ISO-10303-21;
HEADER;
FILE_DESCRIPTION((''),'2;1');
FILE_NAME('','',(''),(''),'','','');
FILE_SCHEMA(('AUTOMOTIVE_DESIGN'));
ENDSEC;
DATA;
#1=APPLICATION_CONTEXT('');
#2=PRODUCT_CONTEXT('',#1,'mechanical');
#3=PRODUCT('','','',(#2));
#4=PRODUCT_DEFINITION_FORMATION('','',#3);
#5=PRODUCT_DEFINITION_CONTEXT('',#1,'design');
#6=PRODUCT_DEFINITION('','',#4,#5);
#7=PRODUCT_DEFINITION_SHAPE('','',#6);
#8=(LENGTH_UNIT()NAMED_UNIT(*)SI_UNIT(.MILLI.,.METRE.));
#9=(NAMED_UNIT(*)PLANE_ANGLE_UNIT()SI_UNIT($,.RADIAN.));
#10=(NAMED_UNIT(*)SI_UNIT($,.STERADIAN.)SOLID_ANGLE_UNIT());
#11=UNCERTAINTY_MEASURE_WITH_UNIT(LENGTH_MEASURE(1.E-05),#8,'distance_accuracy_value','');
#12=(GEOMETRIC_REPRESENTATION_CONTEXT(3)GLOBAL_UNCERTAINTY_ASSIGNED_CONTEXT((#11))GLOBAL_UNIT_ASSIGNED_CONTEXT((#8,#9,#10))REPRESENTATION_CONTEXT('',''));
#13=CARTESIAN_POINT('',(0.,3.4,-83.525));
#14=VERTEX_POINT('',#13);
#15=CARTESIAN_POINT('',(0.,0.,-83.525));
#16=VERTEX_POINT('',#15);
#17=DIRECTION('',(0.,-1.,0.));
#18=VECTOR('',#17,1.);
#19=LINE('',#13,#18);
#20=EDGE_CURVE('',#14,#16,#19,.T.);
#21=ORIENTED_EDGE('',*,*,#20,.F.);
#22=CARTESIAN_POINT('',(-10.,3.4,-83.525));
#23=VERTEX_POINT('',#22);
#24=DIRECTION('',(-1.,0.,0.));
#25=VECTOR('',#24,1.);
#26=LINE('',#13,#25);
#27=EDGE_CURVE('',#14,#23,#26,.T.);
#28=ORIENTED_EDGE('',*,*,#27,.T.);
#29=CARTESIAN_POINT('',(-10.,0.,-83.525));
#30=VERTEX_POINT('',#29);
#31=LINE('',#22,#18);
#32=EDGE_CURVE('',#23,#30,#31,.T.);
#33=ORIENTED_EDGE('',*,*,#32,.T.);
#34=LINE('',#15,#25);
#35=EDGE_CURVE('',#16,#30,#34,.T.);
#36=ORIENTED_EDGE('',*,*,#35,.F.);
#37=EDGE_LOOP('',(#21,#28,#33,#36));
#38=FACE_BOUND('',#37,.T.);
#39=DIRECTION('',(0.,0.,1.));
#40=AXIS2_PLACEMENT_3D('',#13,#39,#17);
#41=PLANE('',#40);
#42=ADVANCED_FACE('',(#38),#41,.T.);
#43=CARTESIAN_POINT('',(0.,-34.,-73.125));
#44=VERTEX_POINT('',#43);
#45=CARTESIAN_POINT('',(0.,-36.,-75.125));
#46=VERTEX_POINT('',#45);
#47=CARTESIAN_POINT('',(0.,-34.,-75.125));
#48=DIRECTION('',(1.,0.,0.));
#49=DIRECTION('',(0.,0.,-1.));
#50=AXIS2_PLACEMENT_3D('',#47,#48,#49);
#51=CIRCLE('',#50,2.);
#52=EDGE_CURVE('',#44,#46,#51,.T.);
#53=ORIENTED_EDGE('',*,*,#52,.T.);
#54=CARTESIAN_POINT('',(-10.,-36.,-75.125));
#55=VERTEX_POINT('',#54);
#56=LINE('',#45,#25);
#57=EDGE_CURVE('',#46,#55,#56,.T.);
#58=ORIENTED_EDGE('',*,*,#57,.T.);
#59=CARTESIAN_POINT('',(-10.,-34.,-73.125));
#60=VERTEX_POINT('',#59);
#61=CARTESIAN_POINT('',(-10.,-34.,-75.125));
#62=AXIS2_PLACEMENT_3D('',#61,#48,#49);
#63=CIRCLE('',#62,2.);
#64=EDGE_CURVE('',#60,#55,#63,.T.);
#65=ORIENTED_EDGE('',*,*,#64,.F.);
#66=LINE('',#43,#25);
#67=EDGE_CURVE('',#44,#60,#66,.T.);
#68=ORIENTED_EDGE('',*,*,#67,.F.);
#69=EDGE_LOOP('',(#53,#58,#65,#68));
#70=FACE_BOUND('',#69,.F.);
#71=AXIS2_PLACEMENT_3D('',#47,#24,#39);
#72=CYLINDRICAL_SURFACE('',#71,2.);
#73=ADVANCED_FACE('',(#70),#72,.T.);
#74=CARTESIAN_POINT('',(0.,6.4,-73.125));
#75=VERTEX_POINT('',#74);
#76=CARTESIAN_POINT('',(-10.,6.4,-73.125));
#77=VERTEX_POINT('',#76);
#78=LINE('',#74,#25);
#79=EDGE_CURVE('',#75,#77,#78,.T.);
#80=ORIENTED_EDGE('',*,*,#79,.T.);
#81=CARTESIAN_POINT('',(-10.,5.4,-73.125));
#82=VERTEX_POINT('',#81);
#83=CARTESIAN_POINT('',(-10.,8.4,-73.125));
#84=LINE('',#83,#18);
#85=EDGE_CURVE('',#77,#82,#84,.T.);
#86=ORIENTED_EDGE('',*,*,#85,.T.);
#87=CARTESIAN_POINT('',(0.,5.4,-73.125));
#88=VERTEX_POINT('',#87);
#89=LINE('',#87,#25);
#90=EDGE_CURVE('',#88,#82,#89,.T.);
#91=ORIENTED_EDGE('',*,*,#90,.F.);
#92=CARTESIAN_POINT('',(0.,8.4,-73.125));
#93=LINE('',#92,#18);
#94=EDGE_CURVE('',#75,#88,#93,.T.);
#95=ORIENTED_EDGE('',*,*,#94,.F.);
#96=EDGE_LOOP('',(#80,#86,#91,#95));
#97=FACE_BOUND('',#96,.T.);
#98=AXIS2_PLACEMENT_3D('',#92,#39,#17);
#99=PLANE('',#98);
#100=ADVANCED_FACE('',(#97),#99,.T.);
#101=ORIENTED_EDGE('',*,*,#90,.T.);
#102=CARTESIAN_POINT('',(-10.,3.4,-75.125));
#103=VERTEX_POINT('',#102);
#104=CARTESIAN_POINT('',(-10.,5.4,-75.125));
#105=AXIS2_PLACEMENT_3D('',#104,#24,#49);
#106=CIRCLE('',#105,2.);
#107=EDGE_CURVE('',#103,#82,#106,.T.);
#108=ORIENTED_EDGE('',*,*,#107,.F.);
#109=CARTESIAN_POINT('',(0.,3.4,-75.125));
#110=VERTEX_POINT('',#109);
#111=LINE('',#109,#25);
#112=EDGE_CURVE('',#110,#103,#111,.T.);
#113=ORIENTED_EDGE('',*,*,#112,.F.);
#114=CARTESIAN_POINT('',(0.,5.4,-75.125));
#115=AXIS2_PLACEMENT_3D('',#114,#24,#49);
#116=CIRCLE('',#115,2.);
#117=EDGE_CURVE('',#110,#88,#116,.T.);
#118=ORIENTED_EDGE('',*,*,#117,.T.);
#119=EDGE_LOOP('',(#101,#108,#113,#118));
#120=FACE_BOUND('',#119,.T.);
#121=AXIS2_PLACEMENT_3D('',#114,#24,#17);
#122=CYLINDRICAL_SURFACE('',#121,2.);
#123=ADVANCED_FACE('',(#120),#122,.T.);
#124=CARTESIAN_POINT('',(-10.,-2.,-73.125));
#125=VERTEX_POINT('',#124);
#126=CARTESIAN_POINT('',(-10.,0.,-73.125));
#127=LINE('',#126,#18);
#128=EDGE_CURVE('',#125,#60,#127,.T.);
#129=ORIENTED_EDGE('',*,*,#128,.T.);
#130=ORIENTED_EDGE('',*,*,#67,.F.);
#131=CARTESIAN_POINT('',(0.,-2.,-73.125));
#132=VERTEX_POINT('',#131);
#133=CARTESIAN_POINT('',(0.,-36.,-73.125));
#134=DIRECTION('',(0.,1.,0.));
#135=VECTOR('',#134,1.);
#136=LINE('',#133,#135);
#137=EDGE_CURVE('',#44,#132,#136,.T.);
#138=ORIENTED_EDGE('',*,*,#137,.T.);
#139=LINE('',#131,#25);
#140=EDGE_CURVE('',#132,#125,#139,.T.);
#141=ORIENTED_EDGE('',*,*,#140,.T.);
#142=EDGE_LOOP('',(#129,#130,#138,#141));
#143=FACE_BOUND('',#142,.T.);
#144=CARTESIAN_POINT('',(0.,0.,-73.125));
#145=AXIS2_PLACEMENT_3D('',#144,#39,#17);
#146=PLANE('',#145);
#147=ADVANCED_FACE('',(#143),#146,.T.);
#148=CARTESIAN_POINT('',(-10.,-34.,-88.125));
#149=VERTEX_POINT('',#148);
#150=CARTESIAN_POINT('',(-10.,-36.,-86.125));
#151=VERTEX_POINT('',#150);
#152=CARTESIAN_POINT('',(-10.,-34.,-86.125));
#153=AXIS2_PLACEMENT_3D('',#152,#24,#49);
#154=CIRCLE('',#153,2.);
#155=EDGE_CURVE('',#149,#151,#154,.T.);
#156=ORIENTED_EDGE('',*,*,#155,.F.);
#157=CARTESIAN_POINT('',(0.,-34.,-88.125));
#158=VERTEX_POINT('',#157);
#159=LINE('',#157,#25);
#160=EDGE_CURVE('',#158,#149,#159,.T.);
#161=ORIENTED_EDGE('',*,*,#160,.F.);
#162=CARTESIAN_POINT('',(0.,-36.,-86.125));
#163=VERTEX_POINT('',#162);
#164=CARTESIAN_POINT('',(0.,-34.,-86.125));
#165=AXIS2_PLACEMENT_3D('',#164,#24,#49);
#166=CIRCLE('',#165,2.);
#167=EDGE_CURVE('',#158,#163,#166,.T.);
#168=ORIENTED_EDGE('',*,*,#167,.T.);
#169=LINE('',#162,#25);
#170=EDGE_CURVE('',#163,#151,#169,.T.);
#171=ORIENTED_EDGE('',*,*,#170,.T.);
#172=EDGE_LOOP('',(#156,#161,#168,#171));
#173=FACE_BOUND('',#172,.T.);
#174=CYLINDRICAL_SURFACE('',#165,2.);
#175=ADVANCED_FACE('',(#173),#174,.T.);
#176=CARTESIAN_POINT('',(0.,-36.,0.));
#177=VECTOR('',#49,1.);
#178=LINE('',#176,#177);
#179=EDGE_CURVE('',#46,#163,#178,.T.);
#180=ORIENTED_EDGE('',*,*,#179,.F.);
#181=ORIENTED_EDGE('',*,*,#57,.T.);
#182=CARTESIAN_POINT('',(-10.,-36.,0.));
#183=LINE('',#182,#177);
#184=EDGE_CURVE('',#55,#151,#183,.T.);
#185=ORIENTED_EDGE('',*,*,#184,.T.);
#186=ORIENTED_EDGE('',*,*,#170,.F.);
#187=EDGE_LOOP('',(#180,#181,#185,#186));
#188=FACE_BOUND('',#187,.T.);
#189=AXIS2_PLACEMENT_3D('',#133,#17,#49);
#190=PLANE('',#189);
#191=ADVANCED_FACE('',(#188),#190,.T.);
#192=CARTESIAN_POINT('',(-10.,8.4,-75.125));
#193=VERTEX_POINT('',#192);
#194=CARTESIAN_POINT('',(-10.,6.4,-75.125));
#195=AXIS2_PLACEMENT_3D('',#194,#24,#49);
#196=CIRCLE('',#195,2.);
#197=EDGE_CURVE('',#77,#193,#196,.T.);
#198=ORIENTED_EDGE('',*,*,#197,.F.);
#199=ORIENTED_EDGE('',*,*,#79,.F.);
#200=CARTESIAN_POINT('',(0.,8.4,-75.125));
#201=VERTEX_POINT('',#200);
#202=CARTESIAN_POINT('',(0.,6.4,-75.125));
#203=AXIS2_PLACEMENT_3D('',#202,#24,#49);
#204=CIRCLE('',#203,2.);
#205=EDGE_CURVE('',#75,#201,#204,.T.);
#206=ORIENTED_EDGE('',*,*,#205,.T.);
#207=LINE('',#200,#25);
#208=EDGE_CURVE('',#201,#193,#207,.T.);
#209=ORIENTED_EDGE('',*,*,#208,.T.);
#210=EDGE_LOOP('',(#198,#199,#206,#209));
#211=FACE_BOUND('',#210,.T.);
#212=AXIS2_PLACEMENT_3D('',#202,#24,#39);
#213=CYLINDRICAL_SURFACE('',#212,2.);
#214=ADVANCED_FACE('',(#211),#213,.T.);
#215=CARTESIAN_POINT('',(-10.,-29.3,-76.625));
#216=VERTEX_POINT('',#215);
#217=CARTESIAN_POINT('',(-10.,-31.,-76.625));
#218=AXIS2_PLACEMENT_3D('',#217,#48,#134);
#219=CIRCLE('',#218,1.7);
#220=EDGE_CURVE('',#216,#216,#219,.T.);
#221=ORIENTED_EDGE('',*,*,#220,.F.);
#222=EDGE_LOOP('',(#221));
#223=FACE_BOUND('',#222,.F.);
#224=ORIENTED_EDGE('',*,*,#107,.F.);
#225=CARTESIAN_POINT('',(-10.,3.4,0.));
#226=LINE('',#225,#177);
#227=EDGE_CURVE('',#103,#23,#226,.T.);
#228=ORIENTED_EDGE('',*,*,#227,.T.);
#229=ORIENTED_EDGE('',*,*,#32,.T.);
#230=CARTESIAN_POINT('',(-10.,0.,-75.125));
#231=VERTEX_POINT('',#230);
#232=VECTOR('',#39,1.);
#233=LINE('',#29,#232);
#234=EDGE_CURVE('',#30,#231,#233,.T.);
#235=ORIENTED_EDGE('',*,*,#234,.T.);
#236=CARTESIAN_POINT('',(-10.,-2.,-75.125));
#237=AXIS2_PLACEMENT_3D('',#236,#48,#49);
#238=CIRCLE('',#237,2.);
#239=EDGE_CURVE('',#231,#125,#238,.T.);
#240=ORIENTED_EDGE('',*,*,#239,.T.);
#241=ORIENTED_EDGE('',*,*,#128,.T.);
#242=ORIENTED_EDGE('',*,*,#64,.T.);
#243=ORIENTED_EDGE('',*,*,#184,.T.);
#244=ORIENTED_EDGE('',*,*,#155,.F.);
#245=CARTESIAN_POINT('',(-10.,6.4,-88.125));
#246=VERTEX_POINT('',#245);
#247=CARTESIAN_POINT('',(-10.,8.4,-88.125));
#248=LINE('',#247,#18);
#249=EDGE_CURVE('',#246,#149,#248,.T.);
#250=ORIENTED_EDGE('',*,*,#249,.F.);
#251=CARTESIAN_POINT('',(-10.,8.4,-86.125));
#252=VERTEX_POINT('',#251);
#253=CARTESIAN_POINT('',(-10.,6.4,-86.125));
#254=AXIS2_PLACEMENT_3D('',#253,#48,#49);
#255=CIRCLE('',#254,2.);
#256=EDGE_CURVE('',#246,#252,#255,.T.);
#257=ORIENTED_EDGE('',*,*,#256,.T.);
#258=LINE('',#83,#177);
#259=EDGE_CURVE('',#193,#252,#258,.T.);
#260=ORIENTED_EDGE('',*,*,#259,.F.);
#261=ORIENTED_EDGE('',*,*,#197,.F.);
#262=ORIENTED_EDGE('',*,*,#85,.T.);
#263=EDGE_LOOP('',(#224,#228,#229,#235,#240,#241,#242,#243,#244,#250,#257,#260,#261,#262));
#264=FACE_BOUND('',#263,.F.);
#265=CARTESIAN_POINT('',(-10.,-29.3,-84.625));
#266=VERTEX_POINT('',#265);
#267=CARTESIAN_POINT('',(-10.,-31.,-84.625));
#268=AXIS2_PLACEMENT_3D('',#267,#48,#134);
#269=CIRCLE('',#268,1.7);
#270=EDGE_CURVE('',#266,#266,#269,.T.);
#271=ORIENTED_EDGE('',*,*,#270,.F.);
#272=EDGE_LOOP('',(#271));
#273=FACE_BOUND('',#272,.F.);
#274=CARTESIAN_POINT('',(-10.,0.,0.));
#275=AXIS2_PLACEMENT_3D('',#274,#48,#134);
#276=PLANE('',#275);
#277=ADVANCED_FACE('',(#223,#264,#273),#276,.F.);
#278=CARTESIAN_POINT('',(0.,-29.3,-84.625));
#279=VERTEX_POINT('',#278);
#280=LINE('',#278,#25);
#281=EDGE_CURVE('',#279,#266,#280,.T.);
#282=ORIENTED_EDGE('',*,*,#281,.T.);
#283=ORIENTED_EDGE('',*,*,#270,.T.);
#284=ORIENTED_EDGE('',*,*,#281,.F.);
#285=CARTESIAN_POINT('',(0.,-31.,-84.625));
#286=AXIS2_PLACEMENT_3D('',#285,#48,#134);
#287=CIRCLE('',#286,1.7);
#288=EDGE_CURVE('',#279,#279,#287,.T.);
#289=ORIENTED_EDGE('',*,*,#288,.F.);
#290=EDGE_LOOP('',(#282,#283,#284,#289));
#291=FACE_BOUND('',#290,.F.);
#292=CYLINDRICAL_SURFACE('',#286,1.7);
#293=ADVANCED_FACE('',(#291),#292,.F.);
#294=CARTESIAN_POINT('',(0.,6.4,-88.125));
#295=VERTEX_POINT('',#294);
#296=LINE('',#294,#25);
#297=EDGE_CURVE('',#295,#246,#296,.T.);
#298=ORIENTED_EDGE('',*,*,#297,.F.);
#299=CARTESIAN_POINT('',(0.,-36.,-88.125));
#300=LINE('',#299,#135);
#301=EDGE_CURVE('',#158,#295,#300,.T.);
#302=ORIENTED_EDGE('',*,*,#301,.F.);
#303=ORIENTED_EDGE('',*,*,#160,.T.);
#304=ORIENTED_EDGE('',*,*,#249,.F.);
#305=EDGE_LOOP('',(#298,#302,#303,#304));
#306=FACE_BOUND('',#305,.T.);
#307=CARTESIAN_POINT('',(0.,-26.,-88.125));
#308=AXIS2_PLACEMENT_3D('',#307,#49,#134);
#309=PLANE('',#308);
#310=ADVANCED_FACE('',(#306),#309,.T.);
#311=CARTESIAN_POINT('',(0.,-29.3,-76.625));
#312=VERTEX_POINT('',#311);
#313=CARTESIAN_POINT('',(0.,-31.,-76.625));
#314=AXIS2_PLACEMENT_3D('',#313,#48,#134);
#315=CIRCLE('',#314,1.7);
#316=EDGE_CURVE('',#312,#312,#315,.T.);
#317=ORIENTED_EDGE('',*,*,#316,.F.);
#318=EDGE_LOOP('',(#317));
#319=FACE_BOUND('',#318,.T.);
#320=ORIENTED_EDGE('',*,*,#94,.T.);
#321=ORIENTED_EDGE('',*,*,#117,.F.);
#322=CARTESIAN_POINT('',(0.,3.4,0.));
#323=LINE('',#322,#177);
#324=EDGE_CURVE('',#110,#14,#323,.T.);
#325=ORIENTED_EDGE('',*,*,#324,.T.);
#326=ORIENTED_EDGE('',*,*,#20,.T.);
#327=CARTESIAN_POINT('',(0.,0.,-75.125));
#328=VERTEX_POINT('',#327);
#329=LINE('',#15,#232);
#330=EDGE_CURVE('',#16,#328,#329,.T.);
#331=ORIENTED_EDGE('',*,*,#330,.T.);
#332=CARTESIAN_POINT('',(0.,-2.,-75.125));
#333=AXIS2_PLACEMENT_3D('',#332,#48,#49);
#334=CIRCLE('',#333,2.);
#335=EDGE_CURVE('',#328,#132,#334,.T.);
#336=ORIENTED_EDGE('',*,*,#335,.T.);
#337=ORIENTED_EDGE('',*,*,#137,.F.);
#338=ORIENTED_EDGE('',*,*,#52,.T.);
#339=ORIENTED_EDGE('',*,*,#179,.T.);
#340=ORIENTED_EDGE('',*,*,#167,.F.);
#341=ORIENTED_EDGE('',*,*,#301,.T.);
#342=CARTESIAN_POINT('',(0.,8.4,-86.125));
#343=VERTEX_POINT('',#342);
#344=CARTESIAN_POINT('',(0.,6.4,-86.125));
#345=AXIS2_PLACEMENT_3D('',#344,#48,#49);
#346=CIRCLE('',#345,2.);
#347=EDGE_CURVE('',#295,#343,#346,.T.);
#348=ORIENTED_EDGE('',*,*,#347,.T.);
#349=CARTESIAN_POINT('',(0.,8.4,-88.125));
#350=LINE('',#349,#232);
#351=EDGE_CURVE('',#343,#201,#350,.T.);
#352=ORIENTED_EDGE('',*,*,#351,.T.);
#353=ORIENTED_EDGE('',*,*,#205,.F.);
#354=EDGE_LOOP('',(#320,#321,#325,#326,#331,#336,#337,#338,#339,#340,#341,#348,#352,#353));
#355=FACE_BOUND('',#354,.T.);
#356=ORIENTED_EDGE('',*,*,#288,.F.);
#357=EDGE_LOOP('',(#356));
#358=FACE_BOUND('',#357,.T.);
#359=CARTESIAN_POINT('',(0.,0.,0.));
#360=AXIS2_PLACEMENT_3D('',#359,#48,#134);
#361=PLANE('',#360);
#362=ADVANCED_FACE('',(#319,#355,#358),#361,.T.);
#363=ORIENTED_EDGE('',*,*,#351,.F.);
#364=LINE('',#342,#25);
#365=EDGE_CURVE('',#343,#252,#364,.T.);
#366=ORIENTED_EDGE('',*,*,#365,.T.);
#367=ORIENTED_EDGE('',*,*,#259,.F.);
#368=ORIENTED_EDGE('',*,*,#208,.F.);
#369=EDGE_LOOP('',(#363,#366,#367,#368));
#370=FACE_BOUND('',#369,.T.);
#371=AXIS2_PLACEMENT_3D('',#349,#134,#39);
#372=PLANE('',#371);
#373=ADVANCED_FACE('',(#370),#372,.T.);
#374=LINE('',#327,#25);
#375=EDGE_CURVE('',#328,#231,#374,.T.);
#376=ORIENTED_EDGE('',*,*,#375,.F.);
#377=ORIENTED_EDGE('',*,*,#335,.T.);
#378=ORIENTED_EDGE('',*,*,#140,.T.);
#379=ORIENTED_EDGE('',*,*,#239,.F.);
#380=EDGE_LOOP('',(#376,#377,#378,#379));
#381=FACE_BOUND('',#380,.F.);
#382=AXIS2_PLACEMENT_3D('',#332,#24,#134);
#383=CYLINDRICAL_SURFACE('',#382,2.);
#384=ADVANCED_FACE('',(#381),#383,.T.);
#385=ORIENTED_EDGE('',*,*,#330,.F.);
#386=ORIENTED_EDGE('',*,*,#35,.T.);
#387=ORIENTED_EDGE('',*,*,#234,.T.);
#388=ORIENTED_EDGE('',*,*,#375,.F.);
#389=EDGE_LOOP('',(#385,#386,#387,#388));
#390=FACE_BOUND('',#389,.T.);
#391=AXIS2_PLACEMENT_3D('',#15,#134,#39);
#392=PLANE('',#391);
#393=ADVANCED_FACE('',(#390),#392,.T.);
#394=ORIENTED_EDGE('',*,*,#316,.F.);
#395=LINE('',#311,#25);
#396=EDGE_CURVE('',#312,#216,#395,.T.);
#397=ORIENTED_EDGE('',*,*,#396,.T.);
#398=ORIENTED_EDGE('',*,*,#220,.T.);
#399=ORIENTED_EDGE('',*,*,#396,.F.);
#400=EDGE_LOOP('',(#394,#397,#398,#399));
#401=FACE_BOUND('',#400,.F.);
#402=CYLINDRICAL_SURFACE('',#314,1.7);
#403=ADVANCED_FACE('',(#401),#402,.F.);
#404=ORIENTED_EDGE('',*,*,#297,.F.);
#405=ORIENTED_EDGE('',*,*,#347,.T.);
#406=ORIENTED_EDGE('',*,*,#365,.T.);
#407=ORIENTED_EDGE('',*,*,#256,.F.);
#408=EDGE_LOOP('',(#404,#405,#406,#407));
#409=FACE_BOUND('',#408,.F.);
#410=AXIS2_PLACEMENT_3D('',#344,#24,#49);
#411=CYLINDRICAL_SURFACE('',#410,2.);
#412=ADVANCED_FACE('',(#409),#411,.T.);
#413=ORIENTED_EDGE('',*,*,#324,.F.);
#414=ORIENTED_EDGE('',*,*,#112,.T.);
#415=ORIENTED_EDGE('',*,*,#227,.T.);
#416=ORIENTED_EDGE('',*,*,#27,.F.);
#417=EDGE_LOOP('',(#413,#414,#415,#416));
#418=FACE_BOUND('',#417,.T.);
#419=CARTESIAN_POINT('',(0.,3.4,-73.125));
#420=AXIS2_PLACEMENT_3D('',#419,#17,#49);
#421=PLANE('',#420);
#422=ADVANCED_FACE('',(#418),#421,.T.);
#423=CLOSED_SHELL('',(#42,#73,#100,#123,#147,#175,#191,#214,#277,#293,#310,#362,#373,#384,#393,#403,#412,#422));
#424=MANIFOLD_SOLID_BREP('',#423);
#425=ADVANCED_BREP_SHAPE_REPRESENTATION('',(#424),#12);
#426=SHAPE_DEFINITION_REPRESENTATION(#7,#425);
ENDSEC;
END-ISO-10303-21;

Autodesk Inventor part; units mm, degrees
ref_plane "YZ Plane" through (0, 0, 0) normal (1, 0, 0) x (0, 1, 0)
ref_plane "XZ Plane" through (0, 0, 0) normal (0, 1, 0) x (-1, 0, 0)
ref_plane "XY Plane" through (0, 0, 0) normal (0, 0, 1) x (1, 0, 0)
sketch "スケッチ1" plane through (0, 0, 0) normal (1, 0, 0) x (0, 1, 0)
  line L0 (0, 0) -> (3.4, 0)
  line L1 (3.4, 0) -> (3.4, -83.525)
  line L2 (3.4, -83.525) -> (0, -83.525)
  line L3 (0, -83.525) -> (0, 0)
  line L4 (-26, 0) -> (-36, 0)
  line L5 (-36, 0) -> (-36, -134.3533)
  line L6 (-36, -134.3533) -> (-26, -134.3533)
  line L7 (-26, -134.3533) -> (-26, 0)
  line L8 (3.4, -83.525) -> (8.4, -83.525)
  line L9 (8.4, -83.525) -> (8.4, -73.125)
  line L10 (8.4, -73.125) -> (3.4, -73.125)
  line L11 (3.4, -73.125) -> (3.4, -83.525)
  line L12 (0, -73.125) -> (-36, -73.125)
  line L13 (-36, -73.125) -> (-36, -88.125)
  line L14 (-36, -88.125) -> (0, -88.125)
  line L15 (0, -88.125) -> (0, -73.125)
  line L16 (8.4, -83.525) -> (0, -83.525)
  line L17 (0, -83.525) -> (0, -88.125)
  line L18 (0, -88.125) -> (8.4, -88.125)
  line L19 (8.4, -88.125) -> (8.4, -83.525)
  circle A0 centre (-31, -76.625) radius 1.7
  circle A1 centre (-31, -84.625) radius 1.7
  point P0 (4.2, -88.125)
  point P1 (5.9, -83.525)
  point P2 (-36, -80.625)
  point P3 (3.4, -73.125)
  point P4 (-36, -73.125)
  dimension "d0" = 3.4
  dimension "d1" = 10
  dimension "d2" = 26
  dimension "d3" = 5
  dimension "d4" = 10.4
  dimension "d5" = 4.6
  dimension "d6" = 3.4
  dimension "d7" = 3.4
  dimension "d8" = 5
  dimension "d9" = 5
  dimension "d10" = 8
  dimension "d11" = 3.5
  dimension "d14" = 0
extrude "押し出し1" add sketch "スケッチ1" against normal blind 10 contours L3 L15 L14 L7 L12 | L10 L9 L8 L1 | L2 L8 L19 L18 L15 | L7 L14 L5 L12
fillet "フィレット1" radius 2 6 edges at (-5, -36, -88.125) (-5, -36, -73.125) (-5, 0, -73.125) (-5, 3.4, -73.125) (-5, 8.4, -73.125) (-5, 8.4, -88.125)
equation "\"d9\" = d8"
properties part number "base_weel-v2-3DP-C-F-3" material "ABS プラスチック"
